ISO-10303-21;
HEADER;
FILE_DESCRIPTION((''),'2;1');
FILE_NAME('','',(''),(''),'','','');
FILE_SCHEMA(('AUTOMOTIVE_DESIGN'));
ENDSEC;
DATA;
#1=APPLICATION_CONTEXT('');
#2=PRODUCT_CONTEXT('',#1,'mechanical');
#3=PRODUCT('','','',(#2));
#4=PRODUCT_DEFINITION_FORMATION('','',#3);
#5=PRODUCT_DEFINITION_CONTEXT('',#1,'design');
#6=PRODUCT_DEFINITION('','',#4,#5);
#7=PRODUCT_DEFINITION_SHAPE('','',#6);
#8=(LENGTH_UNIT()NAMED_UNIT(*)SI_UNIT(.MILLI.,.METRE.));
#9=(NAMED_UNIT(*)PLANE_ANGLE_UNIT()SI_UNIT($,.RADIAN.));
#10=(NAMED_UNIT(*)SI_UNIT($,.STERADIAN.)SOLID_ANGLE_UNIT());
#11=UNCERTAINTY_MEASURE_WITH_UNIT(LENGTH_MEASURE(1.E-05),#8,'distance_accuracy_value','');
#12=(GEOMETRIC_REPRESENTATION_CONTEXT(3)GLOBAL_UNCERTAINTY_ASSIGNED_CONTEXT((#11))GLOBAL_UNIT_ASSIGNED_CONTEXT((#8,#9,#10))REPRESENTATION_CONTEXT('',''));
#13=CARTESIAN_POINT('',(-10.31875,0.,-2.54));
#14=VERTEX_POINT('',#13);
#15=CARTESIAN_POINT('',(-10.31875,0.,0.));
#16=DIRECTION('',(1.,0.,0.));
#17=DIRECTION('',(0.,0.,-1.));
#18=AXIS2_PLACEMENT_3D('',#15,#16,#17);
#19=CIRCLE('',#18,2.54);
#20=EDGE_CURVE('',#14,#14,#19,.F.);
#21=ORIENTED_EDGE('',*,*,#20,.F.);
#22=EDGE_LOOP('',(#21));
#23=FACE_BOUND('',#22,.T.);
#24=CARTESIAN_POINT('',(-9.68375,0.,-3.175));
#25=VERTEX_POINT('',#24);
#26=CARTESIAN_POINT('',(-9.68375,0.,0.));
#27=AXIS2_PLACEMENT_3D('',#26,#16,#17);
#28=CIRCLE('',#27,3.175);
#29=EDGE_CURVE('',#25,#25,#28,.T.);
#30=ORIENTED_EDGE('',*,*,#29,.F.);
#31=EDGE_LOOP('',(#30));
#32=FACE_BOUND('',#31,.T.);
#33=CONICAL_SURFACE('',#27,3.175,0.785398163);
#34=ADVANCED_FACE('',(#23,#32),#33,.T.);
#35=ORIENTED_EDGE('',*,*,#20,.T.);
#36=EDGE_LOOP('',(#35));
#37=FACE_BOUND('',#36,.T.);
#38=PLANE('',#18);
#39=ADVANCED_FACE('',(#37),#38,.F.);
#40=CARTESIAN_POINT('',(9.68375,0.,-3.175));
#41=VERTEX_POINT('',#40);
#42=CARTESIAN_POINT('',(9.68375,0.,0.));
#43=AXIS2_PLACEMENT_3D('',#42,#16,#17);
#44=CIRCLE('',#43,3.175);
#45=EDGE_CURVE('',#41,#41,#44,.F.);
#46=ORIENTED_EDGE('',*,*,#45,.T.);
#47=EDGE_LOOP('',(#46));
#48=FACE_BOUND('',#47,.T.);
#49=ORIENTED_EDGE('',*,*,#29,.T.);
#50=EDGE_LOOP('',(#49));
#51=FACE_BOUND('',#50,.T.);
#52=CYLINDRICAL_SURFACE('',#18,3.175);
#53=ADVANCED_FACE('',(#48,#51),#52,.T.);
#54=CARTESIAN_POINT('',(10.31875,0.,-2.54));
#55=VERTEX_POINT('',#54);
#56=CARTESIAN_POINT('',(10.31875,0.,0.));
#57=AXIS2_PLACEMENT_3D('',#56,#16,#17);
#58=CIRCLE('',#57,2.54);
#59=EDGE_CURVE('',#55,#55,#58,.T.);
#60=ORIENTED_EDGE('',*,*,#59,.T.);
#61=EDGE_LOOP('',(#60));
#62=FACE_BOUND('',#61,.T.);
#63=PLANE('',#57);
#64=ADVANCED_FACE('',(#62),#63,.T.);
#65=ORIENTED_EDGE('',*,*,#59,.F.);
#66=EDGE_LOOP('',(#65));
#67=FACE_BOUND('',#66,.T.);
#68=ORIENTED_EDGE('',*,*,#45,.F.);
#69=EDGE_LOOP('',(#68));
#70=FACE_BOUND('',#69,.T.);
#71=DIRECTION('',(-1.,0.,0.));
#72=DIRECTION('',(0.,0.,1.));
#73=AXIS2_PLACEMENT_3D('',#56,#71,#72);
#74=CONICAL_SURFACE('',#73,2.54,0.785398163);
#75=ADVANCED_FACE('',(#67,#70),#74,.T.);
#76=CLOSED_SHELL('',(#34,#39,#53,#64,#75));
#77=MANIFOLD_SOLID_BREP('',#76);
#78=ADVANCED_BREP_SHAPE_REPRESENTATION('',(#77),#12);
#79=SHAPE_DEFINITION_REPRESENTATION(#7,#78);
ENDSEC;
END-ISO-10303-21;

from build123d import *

# Parameters (mm, degrees)
EXTRUDE1_DEPTH      = 10.31875
EXTRUDE1_DEPTH_BACK = 10.31875
SKETCH2_R           = 3.175
CHAMFER1_SIZE       = 0.635


with BuildPart() as part:
    # Sketch2 → Extrude1 (new, two sides: drawn at the far end of the back side and taken through both)
    with BuildSketch(Plane(origin=(0, 0, 0), x_dir=(0, 0, -1), z_dir=(1, 0, 0)).offset(-EXTRUDE1_DEPTH_BACK)):
        Circle(SKETCH2_R)
    extrude(amount=EXTRUDE1_DEPTH + EXTRUDE1_DEPTH_BACK)

    # Chamfer1
    chamfer1_edges = [part.edges().sort_by_distance(p)[0] for p in [
        (-10.31875, 0, 3.175),
        (10.31875, 0, 3.175),
    ]]
    chamfer(chamfer1_edges, length=CHAMFER1_SIZE)


solid = part.part
